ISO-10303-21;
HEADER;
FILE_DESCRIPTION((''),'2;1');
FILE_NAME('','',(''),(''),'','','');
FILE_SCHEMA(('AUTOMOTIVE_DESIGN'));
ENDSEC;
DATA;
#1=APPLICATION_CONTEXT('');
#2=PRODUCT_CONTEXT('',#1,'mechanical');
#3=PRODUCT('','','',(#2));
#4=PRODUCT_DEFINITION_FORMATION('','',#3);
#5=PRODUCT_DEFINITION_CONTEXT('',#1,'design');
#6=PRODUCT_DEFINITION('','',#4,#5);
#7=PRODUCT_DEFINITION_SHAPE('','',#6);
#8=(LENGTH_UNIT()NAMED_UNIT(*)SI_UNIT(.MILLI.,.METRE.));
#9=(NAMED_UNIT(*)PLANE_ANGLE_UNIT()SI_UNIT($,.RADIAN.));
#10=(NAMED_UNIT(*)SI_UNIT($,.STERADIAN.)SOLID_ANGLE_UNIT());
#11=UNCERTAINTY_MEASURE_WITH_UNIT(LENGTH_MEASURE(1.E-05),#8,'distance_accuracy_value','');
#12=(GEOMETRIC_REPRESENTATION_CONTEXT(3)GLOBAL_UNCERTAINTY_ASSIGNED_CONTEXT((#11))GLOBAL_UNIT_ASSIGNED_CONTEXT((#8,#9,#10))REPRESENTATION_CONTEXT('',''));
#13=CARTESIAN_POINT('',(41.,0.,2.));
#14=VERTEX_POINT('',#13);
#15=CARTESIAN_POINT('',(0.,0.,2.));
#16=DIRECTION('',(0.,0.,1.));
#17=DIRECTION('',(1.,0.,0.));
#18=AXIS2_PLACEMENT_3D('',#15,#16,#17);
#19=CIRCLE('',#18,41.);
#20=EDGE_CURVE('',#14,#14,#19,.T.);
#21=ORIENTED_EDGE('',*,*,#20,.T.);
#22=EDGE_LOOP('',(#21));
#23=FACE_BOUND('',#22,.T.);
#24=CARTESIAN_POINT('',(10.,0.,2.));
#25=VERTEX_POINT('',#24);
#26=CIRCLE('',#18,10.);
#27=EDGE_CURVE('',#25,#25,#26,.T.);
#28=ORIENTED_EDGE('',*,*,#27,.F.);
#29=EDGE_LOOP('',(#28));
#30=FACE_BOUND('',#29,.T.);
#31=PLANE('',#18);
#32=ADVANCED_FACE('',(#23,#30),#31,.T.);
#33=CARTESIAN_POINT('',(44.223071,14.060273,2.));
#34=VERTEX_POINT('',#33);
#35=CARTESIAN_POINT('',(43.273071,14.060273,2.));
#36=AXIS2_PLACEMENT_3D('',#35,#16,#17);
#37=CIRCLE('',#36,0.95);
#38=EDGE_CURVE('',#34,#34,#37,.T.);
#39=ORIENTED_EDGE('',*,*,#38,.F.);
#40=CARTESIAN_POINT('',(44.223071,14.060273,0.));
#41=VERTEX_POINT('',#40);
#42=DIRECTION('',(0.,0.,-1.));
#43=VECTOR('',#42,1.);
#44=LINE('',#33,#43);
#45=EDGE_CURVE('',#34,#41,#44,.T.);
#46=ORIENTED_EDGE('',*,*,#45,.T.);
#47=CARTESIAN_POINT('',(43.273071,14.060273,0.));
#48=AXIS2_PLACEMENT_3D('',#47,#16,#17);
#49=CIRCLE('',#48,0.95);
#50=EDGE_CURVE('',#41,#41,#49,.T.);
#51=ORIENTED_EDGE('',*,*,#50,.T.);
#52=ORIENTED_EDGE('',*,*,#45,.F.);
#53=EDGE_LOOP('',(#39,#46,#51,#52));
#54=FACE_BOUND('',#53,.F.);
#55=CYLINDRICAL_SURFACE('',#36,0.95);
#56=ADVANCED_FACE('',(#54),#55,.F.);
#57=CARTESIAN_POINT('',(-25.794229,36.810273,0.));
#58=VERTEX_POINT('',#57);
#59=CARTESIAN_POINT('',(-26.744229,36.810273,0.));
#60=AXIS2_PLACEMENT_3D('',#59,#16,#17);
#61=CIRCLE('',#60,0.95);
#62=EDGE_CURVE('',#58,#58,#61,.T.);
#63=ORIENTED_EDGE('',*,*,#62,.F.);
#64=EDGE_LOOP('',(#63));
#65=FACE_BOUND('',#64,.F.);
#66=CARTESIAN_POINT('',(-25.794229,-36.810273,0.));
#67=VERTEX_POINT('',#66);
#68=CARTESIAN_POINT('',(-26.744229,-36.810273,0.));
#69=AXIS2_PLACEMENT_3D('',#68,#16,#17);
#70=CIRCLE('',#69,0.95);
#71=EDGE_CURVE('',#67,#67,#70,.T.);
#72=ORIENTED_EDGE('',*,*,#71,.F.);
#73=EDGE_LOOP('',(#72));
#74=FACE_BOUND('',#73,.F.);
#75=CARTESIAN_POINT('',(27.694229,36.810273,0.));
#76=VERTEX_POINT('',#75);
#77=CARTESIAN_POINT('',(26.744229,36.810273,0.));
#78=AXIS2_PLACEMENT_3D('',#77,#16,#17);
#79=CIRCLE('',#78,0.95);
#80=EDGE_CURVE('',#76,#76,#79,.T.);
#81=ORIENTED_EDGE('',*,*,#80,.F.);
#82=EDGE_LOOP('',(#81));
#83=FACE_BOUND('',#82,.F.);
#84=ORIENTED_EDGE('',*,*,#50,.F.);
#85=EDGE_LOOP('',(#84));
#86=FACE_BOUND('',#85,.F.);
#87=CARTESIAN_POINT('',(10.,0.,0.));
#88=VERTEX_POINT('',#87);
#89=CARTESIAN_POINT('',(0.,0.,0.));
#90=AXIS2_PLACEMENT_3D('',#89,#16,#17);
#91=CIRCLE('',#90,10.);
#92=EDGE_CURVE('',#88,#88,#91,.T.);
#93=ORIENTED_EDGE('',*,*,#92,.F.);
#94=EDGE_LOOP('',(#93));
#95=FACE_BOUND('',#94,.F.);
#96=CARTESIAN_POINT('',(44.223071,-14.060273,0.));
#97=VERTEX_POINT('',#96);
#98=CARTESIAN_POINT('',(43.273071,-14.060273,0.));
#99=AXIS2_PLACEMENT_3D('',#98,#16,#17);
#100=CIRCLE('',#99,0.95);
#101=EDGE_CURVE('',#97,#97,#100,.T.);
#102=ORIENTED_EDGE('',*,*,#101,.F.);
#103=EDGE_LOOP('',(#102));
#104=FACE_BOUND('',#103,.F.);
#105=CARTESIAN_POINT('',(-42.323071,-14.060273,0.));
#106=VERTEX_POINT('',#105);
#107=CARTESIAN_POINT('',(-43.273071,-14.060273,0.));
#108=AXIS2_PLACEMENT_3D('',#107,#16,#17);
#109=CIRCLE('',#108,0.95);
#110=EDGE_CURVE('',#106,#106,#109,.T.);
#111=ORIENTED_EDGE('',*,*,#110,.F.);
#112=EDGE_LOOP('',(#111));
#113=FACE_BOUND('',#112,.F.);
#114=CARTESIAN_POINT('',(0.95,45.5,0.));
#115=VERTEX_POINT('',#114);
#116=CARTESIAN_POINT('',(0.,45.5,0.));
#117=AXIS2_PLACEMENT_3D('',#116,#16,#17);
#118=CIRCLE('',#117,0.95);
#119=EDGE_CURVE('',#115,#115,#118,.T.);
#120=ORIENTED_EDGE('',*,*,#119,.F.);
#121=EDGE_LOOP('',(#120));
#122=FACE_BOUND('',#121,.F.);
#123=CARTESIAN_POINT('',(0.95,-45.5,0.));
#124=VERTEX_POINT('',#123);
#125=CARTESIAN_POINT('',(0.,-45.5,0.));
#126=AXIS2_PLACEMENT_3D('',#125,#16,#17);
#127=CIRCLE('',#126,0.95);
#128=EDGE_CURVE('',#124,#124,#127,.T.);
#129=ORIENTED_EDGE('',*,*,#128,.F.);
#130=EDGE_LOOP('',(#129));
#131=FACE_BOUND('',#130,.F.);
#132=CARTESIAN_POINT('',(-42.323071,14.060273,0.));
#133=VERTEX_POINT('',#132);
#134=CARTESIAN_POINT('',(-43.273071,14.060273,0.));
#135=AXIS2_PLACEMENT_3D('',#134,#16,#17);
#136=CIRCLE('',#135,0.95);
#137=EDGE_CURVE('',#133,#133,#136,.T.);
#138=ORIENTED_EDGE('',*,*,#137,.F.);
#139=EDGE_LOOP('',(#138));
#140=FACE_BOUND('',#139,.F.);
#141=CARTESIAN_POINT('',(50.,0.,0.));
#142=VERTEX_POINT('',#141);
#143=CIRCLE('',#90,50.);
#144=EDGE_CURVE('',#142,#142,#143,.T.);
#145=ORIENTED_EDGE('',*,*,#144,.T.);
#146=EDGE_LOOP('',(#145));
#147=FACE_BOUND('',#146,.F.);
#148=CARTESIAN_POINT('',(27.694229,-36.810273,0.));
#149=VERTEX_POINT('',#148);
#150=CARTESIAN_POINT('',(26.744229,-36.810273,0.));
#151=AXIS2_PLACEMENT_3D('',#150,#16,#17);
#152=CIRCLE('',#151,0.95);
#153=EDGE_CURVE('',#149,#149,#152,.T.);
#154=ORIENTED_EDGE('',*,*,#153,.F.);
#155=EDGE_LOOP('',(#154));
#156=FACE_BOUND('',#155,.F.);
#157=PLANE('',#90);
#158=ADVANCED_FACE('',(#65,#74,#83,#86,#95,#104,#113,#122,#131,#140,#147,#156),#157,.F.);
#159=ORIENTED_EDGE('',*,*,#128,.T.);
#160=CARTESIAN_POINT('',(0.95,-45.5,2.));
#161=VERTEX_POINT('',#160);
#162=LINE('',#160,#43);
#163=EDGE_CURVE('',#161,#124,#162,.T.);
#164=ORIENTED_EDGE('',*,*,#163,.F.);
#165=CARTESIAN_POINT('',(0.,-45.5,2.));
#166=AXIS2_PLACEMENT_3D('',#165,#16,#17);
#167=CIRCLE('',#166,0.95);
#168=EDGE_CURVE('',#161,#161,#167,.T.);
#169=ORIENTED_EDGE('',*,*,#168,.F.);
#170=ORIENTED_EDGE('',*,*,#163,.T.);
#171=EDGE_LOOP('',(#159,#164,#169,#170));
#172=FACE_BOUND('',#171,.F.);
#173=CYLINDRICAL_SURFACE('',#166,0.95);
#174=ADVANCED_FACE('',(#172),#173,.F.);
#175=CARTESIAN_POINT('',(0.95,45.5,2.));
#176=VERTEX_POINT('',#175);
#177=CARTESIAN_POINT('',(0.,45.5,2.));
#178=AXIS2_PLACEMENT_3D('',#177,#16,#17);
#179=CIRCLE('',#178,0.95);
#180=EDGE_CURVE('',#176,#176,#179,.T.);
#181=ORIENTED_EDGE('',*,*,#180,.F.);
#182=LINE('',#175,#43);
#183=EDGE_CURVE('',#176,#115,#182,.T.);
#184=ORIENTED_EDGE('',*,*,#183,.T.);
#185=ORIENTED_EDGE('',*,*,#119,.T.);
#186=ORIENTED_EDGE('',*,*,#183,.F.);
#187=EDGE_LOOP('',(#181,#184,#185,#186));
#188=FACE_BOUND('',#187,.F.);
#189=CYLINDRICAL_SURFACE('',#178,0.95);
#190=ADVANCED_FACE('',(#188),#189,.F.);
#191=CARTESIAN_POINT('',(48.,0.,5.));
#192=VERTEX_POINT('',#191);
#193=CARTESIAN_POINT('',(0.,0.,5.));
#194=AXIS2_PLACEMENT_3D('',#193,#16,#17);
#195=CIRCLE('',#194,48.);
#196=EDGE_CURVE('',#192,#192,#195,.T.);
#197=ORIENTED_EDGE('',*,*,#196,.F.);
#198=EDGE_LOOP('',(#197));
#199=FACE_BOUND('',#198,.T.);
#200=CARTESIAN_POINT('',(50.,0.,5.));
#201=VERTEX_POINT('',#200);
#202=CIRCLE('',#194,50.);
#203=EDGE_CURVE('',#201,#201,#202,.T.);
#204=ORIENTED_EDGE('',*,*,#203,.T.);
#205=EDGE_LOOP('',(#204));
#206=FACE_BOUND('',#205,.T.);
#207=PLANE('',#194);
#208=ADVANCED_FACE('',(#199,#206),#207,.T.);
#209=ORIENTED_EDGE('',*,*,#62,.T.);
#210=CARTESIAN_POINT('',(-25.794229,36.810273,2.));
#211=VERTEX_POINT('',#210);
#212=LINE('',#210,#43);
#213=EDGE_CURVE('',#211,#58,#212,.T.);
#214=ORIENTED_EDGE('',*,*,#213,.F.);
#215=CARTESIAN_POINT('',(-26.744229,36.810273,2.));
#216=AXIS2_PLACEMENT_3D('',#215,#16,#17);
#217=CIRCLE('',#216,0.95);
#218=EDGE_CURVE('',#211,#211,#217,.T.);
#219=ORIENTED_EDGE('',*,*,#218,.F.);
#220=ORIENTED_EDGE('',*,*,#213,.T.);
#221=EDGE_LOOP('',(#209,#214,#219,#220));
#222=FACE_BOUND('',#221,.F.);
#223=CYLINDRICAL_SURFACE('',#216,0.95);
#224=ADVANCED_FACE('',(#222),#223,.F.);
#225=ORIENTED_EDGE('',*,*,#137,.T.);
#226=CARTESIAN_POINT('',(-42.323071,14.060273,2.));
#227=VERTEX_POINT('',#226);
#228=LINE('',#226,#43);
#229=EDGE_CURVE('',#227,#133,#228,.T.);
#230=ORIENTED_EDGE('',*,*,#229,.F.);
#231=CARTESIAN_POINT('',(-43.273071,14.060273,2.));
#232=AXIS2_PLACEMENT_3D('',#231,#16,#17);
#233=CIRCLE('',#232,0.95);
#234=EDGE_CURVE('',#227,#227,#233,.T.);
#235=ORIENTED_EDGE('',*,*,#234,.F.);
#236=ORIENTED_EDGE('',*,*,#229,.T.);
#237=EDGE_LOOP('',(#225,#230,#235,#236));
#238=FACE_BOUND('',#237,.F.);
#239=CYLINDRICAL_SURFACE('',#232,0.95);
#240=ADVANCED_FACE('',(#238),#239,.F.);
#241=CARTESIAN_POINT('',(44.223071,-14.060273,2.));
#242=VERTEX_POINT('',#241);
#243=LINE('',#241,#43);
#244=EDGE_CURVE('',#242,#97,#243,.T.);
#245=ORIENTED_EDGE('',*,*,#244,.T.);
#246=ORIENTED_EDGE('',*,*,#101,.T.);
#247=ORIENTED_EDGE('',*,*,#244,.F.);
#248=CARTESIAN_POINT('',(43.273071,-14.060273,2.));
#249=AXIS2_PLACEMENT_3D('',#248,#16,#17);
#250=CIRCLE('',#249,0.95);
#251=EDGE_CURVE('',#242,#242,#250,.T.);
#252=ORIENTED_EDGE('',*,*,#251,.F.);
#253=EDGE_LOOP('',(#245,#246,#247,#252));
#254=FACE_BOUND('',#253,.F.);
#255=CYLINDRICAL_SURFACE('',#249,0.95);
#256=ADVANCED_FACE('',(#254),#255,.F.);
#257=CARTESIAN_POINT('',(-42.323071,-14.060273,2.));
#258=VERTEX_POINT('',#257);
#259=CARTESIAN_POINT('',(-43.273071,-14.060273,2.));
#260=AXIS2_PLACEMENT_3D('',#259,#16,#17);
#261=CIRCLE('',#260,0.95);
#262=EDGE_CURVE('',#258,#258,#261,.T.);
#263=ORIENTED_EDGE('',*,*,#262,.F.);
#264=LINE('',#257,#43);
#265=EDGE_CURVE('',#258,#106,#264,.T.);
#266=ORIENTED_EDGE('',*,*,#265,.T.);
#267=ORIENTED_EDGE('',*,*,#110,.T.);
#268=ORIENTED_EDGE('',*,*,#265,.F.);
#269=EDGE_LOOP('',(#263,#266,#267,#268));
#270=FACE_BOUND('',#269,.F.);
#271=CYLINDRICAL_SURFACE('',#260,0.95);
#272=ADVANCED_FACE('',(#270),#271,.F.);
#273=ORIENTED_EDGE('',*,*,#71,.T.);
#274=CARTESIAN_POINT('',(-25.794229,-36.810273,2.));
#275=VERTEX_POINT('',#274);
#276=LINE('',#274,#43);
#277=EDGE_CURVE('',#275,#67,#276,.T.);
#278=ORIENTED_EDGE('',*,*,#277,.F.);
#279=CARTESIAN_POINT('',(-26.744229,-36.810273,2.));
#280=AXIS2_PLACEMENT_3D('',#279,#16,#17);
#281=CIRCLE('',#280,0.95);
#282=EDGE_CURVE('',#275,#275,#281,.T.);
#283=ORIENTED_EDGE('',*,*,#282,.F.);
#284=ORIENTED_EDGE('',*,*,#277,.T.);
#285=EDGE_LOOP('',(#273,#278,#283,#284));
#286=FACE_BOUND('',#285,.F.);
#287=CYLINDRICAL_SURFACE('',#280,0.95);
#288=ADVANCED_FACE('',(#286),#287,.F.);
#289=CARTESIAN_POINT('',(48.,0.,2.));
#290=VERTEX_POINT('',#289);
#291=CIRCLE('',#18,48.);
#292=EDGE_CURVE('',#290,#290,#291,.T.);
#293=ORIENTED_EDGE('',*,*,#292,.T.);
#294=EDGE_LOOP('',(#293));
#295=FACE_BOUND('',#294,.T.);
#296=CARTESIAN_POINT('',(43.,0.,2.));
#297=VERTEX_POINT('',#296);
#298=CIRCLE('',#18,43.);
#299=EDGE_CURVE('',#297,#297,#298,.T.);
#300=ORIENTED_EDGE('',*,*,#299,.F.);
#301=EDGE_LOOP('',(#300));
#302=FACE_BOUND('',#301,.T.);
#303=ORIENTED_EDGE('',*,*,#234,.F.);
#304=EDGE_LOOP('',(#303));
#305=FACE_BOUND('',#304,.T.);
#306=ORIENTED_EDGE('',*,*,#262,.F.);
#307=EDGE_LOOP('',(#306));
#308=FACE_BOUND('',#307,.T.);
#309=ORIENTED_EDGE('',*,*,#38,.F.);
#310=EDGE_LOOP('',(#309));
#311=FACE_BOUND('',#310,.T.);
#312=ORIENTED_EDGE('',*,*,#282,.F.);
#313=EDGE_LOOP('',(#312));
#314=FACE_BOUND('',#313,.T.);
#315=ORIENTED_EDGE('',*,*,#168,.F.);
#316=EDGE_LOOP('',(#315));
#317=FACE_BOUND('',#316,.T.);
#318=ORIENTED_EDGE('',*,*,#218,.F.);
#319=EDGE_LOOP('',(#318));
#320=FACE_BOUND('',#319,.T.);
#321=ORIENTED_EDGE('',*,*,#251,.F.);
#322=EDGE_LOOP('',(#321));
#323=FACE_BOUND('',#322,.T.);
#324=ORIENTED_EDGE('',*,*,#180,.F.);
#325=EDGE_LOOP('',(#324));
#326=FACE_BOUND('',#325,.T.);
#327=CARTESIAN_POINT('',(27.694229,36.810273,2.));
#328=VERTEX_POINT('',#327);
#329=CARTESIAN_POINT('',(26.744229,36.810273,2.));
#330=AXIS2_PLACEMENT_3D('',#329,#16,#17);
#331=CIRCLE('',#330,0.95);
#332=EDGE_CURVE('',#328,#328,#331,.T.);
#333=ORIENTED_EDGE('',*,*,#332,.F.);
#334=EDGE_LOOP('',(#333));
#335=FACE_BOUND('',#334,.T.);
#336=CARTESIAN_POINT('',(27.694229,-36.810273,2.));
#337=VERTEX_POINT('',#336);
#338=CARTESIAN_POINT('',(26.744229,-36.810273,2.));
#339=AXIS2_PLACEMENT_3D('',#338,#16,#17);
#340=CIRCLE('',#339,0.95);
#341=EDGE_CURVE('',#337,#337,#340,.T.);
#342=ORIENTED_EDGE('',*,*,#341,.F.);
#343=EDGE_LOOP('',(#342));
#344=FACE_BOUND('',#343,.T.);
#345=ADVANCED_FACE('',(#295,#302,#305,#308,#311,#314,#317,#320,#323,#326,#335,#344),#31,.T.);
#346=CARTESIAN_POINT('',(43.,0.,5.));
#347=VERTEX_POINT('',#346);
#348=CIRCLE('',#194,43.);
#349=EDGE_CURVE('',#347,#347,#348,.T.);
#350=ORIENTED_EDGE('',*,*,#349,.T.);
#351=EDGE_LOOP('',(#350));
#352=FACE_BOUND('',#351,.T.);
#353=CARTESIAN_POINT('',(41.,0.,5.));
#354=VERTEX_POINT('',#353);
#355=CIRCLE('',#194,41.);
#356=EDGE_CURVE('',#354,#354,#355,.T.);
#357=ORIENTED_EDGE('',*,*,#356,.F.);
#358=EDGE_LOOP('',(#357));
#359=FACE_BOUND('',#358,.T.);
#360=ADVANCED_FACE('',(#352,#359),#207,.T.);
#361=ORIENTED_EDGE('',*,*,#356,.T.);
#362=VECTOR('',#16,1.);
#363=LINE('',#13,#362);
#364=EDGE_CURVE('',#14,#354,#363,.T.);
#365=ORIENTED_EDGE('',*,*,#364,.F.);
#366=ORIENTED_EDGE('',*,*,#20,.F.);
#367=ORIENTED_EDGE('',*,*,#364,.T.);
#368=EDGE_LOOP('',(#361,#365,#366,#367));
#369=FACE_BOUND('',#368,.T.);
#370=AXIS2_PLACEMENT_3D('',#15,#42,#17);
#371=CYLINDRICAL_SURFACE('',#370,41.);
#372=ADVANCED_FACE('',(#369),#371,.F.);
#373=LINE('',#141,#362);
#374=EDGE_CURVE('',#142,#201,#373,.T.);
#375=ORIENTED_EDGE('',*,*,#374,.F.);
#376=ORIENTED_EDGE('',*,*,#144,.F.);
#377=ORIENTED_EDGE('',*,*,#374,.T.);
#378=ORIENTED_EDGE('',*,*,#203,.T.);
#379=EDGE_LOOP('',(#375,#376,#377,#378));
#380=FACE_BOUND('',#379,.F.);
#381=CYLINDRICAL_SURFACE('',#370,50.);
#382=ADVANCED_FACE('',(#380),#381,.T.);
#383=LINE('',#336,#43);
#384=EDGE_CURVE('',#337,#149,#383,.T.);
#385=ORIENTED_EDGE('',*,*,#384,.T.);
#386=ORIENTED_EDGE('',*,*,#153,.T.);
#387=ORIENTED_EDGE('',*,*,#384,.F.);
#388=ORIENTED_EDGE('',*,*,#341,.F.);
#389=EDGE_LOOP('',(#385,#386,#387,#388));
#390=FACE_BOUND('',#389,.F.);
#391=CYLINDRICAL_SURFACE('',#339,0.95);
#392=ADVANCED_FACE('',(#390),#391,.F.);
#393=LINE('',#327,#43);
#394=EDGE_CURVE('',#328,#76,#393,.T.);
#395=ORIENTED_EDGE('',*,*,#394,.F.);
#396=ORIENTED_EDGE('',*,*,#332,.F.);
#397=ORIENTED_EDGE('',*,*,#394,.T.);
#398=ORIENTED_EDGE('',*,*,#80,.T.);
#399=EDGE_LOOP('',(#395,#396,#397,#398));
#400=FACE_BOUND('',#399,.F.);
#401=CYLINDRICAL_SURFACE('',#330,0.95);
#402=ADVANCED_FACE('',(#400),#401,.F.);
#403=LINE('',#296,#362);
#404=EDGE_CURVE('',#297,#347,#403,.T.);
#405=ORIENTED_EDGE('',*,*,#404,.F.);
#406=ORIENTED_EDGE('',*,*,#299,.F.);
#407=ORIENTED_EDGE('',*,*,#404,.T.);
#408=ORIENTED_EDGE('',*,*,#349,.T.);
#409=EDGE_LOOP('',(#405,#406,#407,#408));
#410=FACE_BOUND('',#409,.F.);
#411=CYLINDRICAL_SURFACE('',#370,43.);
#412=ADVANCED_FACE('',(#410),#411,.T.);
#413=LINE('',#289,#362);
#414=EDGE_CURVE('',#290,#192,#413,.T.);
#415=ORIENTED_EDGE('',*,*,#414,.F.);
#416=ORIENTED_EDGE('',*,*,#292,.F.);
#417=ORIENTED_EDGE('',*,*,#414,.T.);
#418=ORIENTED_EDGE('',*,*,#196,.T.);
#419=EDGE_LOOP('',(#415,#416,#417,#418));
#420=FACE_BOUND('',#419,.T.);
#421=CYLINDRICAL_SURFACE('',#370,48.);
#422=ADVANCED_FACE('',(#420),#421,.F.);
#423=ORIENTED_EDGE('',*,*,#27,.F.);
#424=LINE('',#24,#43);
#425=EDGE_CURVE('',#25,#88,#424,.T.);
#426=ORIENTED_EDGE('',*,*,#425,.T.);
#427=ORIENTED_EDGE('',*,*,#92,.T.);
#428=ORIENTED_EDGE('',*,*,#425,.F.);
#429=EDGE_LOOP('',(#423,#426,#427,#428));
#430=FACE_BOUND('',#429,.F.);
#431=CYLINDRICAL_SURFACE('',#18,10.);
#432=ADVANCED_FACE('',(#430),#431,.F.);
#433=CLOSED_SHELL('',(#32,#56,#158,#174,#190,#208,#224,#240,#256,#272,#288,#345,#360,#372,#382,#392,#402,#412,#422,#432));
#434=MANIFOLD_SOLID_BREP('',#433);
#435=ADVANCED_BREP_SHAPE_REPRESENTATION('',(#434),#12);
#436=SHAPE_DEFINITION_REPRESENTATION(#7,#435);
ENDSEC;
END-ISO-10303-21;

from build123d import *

# Parameters (mm, degrees)
F0_R     = 50
F1_DEPTH = 2
F2_R     = 50
F2_R_2   = 48
F2_R_3   = 43
F2_R_4   = 41
F3_DEPTH = 3
F4_R     = 0.95
F5_DEPTH = 2.001
F6_R     = 10
F7_DEPTH = 2.001


with BuildPart() as f1:
    # F0 (on Top) → F1 (new body)
    with BuildSketch(Plane.XY):
        Circle(F0_R)
    extrude(amount=F1_DEPTH)

    # F2 (on face) → F3 (join)
    with BuildSketch(Plane.XY.offset(2)):
        Circle(F2_R)
        Circle(F2_R_2, mode=Mode.SUBTRACT)
        Circle(F2_R_3)
        Circle(F2_R_4, mode=Mode.SUBTRACT)
    extrude(amount=F3_DEPTH)

    # F4 (on face) → F5 (cut, through all)
    with BuildSketch(Plane.XY.offset(2)):
        with Locations((0, 45.5)):
            Circle(F4_R)
        with Locations((-26.7442289793, 36.8102732441)):
            Circle(F4_R)
        with Locations((-43.2730714914, 14.0602732441)):
            Circle(F4_R)
        with Locations((-43.2730714914, -14.0602732441)):
            Circle(F4_R)
        with Locations((-26.7442289793, -36.8102732441)):
            Circle(F4_R)
        with Locations((0, -45.5)):
            Circle(F4_R)
        with Locations((26.7442289793, -36.8102732441)):
            Circle(F4_R)
        with Locations((43.2730714914, -14.0602732441)):
            Circle(F4_R)
        with Locations((43.2730714914, 14.0602732441)):
            Circle(F4_R)
        with Locations((26.7442289793, 36.8102732441)):
            Circle(F4_R)
    extrude(amount=-F5_DEPTH, mode=Mode.SUBTRACT)

    # F6 (on face) → F7 (cut, through all)
    with BuildSketch(Plane.XY.offset(2)):
        Circle(F6_R)
    extrude(amount=-F7_DEPTH, mode=Mode.SUBTRACT)


solid = f1.part
